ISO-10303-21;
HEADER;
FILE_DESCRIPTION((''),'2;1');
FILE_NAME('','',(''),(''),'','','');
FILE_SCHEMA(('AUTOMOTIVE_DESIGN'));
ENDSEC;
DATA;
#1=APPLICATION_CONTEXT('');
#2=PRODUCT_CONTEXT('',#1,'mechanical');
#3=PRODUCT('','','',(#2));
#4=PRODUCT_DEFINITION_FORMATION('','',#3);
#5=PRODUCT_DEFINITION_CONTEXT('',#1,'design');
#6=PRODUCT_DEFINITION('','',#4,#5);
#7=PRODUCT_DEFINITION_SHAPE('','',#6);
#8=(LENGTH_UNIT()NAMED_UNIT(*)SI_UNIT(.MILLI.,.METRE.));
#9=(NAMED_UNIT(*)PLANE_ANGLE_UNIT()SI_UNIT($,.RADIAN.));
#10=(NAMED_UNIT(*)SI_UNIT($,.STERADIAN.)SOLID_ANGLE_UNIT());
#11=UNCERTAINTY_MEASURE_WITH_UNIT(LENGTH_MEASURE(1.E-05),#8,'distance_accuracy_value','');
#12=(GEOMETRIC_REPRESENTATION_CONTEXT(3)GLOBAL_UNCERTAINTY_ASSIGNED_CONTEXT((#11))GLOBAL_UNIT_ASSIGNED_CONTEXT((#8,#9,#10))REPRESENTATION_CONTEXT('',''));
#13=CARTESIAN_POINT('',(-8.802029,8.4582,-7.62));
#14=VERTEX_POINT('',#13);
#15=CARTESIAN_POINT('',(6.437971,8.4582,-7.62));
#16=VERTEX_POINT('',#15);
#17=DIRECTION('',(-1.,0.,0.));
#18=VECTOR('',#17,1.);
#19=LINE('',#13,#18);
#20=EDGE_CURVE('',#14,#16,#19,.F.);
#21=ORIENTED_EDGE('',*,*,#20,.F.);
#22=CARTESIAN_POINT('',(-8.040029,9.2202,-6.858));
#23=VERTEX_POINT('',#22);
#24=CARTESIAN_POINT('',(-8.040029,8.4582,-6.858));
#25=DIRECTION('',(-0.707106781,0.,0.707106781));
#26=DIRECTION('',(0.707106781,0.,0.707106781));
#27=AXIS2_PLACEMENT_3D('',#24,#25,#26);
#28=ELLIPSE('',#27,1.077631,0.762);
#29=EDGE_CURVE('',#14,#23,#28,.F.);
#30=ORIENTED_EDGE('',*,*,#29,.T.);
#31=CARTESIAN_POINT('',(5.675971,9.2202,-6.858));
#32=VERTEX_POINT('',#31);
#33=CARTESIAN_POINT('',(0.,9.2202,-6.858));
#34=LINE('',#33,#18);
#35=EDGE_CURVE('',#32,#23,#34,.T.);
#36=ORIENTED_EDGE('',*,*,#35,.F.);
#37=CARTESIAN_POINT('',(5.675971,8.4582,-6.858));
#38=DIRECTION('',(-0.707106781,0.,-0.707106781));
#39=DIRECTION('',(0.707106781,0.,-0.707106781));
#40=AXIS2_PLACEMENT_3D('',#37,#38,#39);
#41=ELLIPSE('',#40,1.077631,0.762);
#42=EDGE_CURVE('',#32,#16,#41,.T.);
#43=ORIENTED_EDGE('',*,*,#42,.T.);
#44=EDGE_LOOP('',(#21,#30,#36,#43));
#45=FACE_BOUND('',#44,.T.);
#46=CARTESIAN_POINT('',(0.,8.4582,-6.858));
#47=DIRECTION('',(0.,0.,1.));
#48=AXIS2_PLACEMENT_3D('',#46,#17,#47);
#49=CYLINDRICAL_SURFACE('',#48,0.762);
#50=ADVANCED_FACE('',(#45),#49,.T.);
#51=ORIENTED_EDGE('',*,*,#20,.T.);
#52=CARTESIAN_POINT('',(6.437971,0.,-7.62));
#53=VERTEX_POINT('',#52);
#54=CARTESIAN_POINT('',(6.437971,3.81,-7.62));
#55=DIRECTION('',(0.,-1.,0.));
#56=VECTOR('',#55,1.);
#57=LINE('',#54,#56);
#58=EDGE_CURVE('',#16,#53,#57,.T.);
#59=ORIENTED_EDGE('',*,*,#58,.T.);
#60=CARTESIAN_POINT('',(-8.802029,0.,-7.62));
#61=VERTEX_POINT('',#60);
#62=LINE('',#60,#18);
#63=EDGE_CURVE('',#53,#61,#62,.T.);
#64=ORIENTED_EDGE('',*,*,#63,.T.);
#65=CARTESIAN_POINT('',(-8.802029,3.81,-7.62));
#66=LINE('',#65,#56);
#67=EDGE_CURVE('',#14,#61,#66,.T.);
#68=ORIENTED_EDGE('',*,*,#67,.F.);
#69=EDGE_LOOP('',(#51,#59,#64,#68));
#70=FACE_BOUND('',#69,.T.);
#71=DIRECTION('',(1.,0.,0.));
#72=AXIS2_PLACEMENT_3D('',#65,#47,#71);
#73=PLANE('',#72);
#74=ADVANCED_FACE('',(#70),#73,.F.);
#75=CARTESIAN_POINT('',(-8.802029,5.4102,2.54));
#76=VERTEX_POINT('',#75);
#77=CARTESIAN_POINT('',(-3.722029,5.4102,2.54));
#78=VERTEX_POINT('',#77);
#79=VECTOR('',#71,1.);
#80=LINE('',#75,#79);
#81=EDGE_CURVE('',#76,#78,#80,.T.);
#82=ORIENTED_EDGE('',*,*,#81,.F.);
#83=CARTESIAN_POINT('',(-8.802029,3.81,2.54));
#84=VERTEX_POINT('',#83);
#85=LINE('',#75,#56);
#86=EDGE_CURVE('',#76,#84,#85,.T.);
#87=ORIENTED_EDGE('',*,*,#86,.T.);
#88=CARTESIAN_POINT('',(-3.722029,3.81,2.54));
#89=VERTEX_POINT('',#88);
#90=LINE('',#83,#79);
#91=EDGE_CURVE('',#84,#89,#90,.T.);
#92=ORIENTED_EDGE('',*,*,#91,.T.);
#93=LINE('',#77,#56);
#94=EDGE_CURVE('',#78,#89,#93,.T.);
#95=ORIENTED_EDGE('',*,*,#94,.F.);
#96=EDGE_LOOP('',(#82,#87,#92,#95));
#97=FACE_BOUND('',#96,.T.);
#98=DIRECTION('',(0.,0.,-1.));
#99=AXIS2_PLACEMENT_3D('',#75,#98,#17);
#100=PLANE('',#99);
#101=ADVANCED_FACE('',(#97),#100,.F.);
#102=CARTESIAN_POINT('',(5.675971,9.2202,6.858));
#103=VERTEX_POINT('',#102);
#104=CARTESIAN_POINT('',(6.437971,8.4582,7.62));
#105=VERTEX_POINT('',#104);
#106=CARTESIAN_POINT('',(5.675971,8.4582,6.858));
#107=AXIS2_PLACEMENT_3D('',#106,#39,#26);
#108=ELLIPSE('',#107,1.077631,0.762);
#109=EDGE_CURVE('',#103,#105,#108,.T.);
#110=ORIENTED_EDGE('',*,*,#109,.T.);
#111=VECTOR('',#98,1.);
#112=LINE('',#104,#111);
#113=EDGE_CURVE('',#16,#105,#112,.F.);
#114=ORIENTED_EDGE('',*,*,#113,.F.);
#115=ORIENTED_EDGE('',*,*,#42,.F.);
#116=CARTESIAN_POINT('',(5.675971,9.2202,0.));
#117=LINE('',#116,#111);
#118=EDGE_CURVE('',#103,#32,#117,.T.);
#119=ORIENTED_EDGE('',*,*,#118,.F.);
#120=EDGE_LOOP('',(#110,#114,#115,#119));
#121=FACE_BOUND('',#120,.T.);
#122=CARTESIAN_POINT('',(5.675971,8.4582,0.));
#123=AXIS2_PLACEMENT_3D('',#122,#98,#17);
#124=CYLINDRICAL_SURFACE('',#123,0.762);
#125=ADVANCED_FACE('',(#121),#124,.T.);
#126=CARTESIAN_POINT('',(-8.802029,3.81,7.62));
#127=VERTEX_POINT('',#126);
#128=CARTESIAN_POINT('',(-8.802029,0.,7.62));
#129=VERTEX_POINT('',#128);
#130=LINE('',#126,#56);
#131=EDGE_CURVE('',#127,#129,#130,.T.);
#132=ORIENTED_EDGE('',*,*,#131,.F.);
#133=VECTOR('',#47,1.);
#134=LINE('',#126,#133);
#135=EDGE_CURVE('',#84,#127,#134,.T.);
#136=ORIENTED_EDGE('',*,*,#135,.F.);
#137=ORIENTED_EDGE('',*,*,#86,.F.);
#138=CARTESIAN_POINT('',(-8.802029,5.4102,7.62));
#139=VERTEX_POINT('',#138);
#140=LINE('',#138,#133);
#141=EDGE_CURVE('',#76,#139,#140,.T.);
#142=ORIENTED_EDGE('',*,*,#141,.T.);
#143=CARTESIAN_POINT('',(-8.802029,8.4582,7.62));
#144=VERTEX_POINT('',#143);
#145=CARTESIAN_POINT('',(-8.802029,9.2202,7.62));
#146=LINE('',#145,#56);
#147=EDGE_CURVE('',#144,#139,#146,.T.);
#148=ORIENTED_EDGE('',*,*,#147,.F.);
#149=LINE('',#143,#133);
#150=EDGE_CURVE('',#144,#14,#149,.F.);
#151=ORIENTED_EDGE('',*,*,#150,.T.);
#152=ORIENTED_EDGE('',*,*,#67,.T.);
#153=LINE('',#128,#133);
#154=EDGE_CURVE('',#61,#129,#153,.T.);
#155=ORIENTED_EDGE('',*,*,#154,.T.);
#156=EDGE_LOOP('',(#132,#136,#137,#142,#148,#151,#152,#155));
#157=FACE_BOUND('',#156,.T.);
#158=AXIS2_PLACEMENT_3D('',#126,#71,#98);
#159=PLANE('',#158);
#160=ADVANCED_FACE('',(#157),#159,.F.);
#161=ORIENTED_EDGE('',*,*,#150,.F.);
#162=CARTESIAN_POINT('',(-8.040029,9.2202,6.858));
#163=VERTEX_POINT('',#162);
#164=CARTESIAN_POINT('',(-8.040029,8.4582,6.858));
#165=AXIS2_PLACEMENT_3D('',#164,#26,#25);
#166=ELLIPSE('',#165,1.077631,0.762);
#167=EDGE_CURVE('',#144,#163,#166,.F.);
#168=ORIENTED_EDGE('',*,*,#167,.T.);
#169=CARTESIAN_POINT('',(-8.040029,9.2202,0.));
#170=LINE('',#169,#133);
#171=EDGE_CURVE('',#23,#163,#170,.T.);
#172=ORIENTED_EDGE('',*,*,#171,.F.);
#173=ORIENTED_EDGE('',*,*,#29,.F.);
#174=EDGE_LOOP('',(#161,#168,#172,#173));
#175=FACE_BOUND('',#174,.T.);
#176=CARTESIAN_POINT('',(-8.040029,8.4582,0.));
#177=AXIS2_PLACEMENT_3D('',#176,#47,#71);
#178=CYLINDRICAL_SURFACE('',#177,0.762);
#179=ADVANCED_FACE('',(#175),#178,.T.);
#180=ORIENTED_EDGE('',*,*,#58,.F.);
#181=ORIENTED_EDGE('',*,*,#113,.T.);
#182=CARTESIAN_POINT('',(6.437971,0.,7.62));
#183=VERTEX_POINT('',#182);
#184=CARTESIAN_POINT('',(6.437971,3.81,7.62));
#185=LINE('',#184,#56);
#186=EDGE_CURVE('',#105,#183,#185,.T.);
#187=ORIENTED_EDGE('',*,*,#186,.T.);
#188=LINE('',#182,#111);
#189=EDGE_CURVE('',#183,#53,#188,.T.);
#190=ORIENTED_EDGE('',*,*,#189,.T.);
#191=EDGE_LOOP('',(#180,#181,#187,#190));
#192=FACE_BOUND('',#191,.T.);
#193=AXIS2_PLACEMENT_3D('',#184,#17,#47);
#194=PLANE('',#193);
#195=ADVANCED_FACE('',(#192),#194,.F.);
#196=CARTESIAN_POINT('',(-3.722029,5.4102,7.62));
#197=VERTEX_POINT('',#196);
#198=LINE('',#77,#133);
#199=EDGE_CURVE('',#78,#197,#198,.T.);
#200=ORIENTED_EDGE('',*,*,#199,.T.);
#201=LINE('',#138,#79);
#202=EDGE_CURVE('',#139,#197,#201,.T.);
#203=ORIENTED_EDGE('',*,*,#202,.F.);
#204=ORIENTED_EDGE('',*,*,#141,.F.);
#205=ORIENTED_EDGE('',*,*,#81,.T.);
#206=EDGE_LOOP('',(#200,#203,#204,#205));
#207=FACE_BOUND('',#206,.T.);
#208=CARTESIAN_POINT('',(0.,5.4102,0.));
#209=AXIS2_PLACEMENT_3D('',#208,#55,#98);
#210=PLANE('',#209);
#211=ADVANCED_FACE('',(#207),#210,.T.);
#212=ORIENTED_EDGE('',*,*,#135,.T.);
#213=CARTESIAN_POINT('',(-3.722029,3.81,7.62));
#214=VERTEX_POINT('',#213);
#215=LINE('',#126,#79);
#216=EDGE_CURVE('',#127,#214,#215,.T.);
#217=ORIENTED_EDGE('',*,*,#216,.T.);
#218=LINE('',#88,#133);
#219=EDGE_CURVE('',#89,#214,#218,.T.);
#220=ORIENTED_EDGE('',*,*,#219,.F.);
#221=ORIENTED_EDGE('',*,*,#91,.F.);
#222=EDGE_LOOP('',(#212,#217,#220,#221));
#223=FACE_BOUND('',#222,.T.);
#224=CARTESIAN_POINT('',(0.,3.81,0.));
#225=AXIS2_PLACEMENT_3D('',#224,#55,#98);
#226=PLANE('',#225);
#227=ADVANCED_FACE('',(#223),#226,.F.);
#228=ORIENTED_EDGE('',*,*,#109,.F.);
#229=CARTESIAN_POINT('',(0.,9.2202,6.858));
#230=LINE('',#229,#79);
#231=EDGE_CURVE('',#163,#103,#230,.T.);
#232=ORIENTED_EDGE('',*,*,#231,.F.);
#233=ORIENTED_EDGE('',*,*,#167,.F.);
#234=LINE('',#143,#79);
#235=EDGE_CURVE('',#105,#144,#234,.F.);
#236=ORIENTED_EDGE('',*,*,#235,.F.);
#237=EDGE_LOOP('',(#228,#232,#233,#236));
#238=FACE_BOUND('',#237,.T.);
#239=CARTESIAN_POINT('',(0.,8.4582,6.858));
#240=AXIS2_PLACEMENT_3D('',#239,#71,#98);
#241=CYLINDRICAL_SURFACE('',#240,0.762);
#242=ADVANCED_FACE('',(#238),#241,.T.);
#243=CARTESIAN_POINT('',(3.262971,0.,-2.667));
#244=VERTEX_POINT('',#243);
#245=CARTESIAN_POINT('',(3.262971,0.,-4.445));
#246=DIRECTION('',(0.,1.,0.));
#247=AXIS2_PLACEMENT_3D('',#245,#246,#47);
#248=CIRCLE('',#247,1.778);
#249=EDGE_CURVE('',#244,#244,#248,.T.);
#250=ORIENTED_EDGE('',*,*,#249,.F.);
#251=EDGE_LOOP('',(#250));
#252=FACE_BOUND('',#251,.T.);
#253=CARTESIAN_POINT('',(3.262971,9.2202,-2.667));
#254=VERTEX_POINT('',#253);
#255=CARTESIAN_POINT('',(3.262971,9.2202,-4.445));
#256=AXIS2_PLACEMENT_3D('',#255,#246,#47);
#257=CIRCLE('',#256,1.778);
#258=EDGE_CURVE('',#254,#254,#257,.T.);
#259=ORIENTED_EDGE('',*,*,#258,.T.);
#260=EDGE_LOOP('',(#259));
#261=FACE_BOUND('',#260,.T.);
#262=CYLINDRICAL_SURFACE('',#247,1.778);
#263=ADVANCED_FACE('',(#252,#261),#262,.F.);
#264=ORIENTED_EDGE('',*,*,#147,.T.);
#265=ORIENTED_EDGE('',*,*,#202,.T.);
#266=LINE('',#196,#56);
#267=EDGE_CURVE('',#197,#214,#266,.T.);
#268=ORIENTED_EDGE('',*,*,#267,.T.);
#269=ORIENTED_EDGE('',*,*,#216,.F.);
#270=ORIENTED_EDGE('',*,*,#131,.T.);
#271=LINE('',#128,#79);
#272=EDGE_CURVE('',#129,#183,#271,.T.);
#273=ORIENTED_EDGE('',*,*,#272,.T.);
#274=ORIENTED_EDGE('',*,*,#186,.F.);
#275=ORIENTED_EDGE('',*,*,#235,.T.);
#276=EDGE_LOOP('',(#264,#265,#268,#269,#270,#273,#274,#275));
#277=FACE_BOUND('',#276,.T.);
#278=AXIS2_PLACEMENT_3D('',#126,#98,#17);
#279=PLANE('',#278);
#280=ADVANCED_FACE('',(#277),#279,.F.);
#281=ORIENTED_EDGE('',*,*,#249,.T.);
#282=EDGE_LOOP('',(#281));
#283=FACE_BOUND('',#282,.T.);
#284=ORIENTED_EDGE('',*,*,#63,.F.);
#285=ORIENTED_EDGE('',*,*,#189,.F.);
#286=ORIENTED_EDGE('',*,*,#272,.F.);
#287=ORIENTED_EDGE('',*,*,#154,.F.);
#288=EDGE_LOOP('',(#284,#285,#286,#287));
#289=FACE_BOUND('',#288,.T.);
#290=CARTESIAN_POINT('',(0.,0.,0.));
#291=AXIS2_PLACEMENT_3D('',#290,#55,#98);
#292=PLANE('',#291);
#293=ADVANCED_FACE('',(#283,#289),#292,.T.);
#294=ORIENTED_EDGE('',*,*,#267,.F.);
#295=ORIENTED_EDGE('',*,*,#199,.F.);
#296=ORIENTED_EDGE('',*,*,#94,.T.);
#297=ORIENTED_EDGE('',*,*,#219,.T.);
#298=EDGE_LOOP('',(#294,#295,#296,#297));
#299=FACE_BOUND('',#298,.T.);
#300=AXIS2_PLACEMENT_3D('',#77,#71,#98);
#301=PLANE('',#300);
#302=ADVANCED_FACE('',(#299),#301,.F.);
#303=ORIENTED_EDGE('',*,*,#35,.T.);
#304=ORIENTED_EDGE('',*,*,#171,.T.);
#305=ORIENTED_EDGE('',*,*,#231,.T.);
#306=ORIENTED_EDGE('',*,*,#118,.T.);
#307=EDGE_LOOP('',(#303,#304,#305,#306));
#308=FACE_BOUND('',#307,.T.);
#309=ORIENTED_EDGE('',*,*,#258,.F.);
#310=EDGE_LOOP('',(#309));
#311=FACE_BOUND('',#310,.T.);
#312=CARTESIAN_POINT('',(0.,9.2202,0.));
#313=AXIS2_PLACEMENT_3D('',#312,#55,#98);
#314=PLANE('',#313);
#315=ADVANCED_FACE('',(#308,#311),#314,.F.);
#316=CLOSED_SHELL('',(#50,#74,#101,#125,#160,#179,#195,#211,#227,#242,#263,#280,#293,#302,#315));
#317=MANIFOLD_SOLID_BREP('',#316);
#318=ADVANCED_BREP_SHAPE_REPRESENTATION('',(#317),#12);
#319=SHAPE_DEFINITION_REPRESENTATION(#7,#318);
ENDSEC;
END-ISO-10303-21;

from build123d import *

# Parameters (mm, degrees)
SKETCH1_W           = 15.24
SKETCH1_H           = 15.24
BOSS_EXTRUDE1_DEPTH = 3.81
BOSS_EXTRUDE2_DEPTH = 1.6002
SKETCH3_W           = 15.24
SKETCH3_H           = 15.24
BOSS_EXTRUDE3_DEPTH = 3.81
SKETCH4_R           = 1.778
CUT_EXTRUDE1_DEPTH  = 15.851000211
FILLET1_R           = 0.762


with BuildPart() as part:
    # Sketch1 → Boss-Extrude1 (new body)
    with BuildSketch(Plane(origin=(0, 0, 0), x_dir=(1, 0, 0), z_dir=(0, 1, 0))):
        with Locations((-1.182029268, 0)):
            Rectangle(SKETCH1_W, SKETCH1_H)
    extrude(amount=BOSS_EXTRUDE1_DEPTH)

    # Sketch2 → Boss-Extrude2 (add)
    with BuildSketch(Plane(origin=(0, 3.81, 0), x_dir=(1, 0, 0), z_dir=(0, 1, 0))):
        Polygon((-8.802029268, -2.54), (-3.722029268, -2.54), (-3.722029268, -7.62), (6.437970732, -7.62), (6.437970732, 7.62), (-8.802029268, 7.62), align=None)
    extrude(amount=BOSS_EXTRUDE2_DEPTH)

    # Sketch3 → Boss-Extrude3 (add)
    with BuildSketch(Plane(origin=(0, 5.4102, 0), x_dir=(1, 0, 0), z_dir=(0, 1, 0))):
        with Locations((-1.182029268, 0)):
            Rectangle(SKETCH3_W, SKETCH3_H)
    extrude(amount=BOSS_EXTRUDE3_DEPTH)

    # Sketch4 → Cut-Extrude1 (cut, through all)
    with BuildSketch(Plane(origin=(0, 9.2202, 0), x_dir=(1, 0, 0), z_dir=(0, 1, 0))):
        with Locations(Location((3.262970732, 4.445, 0), (0, 0, 270))):
            Circle(SKETCH4_R)
    extrude(amount=-CUT_EXTRUDE1_DEPTH, mode=Mode.SUBTRACT)

    # Fillet1
    fillet1_edges = [part.edges().sort_by_distance(p)[0] for p in [
        (-8.802029268, 9.2202, 0),
        (-1.182029268, 9.2202, 7.62),
        (6.437970732, 9.2202, 0),
        (-1.182029268, 9.2202, -7.62),
    ]]
    fillet(fillet1_edges, radius=FILLET1_R)


solid = part.part
